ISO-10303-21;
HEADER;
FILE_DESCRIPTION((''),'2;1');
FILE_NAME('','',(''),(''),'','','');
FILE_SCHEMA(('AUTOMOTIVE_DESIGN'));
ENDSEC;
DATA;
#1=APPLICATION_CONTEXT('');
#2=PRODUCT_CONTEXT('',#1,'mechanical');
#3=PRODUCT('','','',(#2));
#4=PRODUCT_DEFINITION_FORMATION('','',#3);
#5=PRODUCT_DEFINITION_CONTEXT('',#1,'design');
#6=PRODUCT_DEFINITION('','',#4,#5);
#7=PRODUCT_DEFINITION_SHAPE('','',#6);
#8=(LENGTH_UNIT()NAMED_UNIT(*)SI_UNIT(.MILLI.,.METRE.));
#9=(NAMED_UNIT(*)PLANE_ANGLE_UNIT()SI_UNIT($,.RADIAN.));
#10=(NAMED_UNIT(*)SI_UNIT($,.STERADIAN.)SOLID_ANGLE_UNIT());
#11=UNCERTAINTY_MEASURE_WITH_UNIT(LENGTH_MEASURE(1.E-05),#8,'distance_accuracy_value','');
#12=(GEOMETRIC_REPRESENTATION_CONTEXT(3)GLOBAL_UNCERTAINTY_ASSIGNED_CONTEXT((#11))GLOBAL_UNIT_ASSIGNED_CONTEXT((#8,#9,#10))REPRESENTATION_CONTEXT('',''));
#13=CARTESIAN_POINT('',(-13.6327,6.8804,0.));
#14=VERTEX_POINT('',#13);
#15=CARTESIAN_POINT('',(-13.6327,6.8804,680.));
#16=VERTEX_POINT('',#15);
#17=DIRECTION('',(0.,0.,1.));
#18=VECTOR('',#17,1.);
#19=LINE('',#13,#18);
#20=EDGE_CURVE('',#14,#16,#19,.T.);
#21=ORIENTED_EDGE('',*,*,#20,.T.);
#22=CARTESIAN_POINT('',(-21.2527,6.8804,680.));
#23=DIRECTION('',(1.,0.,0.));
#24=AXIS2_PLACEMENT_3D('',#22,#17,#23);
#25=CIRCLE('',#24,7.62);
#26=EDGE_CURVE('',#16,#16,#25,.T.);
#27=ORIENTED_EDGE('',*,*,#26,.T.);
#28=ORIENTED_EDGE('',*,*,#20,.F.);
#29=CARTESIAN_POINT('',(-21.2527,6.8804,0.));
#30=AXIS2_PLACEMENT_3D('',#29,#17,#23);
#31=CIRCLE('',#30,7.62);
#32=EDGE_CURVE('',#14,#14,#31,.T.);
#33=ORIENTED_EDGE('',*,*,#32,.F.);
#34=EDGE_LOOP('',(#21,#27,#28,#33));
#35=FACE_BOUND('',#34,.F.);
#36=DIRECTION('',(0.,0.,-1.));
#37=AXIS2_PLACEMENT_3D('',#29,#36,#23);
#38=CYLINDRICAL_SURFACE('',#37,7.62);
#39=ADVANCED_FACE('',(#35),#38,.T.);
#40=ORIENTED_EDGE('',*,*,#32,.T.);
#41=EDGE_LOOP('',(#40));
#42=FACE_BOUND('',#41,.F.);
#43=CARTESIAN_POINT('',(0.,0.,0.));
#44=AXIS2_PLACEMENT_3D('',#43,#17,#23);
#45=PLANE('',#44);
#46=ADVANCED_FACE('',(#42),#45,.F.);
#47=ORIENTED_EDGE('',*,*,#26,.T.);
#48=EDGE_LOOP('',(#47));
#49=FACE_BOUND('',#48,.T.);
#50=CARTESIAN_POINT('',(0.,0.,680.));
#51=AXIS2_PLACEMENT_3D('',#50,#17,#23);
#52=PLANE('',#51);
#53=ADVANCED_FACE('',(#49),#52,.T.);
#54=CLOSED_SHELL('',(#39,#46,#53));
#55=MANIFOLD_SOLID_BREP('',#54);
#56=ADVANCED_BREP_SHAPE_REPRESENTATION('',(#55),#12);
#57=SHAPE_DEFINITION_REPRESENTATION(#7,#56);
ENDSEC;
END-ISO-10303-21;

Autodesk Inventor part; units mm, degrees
ref_plane "YZ Plane" through (0, 0, 0) normal (1, 0, 0) x (0, 1, 0)
ref_plane "XZ Plane" through (0, 0, 0) normal (0, 1, 0) x (-1, 0, 0)
ref_plane "XY Plane" through (0, 0, 0) normal (0, 0, 1) x (1, 0, 0)
sketch "Sketch1" plane through (0, 0, 0) normal (0, 0, 1) x (1, 0, 0)
  circle A0 centre (-21.2527, 6.8804) radius 7.62
  point P0 (0, 0)
  dimension "d0" = 15.24
  dimension "d0" = 15.24
extrude "Extrusion1" add sketch "Sketch1" along normal blind 680
properties part number "rev rod" material "Steel, Alloy"
